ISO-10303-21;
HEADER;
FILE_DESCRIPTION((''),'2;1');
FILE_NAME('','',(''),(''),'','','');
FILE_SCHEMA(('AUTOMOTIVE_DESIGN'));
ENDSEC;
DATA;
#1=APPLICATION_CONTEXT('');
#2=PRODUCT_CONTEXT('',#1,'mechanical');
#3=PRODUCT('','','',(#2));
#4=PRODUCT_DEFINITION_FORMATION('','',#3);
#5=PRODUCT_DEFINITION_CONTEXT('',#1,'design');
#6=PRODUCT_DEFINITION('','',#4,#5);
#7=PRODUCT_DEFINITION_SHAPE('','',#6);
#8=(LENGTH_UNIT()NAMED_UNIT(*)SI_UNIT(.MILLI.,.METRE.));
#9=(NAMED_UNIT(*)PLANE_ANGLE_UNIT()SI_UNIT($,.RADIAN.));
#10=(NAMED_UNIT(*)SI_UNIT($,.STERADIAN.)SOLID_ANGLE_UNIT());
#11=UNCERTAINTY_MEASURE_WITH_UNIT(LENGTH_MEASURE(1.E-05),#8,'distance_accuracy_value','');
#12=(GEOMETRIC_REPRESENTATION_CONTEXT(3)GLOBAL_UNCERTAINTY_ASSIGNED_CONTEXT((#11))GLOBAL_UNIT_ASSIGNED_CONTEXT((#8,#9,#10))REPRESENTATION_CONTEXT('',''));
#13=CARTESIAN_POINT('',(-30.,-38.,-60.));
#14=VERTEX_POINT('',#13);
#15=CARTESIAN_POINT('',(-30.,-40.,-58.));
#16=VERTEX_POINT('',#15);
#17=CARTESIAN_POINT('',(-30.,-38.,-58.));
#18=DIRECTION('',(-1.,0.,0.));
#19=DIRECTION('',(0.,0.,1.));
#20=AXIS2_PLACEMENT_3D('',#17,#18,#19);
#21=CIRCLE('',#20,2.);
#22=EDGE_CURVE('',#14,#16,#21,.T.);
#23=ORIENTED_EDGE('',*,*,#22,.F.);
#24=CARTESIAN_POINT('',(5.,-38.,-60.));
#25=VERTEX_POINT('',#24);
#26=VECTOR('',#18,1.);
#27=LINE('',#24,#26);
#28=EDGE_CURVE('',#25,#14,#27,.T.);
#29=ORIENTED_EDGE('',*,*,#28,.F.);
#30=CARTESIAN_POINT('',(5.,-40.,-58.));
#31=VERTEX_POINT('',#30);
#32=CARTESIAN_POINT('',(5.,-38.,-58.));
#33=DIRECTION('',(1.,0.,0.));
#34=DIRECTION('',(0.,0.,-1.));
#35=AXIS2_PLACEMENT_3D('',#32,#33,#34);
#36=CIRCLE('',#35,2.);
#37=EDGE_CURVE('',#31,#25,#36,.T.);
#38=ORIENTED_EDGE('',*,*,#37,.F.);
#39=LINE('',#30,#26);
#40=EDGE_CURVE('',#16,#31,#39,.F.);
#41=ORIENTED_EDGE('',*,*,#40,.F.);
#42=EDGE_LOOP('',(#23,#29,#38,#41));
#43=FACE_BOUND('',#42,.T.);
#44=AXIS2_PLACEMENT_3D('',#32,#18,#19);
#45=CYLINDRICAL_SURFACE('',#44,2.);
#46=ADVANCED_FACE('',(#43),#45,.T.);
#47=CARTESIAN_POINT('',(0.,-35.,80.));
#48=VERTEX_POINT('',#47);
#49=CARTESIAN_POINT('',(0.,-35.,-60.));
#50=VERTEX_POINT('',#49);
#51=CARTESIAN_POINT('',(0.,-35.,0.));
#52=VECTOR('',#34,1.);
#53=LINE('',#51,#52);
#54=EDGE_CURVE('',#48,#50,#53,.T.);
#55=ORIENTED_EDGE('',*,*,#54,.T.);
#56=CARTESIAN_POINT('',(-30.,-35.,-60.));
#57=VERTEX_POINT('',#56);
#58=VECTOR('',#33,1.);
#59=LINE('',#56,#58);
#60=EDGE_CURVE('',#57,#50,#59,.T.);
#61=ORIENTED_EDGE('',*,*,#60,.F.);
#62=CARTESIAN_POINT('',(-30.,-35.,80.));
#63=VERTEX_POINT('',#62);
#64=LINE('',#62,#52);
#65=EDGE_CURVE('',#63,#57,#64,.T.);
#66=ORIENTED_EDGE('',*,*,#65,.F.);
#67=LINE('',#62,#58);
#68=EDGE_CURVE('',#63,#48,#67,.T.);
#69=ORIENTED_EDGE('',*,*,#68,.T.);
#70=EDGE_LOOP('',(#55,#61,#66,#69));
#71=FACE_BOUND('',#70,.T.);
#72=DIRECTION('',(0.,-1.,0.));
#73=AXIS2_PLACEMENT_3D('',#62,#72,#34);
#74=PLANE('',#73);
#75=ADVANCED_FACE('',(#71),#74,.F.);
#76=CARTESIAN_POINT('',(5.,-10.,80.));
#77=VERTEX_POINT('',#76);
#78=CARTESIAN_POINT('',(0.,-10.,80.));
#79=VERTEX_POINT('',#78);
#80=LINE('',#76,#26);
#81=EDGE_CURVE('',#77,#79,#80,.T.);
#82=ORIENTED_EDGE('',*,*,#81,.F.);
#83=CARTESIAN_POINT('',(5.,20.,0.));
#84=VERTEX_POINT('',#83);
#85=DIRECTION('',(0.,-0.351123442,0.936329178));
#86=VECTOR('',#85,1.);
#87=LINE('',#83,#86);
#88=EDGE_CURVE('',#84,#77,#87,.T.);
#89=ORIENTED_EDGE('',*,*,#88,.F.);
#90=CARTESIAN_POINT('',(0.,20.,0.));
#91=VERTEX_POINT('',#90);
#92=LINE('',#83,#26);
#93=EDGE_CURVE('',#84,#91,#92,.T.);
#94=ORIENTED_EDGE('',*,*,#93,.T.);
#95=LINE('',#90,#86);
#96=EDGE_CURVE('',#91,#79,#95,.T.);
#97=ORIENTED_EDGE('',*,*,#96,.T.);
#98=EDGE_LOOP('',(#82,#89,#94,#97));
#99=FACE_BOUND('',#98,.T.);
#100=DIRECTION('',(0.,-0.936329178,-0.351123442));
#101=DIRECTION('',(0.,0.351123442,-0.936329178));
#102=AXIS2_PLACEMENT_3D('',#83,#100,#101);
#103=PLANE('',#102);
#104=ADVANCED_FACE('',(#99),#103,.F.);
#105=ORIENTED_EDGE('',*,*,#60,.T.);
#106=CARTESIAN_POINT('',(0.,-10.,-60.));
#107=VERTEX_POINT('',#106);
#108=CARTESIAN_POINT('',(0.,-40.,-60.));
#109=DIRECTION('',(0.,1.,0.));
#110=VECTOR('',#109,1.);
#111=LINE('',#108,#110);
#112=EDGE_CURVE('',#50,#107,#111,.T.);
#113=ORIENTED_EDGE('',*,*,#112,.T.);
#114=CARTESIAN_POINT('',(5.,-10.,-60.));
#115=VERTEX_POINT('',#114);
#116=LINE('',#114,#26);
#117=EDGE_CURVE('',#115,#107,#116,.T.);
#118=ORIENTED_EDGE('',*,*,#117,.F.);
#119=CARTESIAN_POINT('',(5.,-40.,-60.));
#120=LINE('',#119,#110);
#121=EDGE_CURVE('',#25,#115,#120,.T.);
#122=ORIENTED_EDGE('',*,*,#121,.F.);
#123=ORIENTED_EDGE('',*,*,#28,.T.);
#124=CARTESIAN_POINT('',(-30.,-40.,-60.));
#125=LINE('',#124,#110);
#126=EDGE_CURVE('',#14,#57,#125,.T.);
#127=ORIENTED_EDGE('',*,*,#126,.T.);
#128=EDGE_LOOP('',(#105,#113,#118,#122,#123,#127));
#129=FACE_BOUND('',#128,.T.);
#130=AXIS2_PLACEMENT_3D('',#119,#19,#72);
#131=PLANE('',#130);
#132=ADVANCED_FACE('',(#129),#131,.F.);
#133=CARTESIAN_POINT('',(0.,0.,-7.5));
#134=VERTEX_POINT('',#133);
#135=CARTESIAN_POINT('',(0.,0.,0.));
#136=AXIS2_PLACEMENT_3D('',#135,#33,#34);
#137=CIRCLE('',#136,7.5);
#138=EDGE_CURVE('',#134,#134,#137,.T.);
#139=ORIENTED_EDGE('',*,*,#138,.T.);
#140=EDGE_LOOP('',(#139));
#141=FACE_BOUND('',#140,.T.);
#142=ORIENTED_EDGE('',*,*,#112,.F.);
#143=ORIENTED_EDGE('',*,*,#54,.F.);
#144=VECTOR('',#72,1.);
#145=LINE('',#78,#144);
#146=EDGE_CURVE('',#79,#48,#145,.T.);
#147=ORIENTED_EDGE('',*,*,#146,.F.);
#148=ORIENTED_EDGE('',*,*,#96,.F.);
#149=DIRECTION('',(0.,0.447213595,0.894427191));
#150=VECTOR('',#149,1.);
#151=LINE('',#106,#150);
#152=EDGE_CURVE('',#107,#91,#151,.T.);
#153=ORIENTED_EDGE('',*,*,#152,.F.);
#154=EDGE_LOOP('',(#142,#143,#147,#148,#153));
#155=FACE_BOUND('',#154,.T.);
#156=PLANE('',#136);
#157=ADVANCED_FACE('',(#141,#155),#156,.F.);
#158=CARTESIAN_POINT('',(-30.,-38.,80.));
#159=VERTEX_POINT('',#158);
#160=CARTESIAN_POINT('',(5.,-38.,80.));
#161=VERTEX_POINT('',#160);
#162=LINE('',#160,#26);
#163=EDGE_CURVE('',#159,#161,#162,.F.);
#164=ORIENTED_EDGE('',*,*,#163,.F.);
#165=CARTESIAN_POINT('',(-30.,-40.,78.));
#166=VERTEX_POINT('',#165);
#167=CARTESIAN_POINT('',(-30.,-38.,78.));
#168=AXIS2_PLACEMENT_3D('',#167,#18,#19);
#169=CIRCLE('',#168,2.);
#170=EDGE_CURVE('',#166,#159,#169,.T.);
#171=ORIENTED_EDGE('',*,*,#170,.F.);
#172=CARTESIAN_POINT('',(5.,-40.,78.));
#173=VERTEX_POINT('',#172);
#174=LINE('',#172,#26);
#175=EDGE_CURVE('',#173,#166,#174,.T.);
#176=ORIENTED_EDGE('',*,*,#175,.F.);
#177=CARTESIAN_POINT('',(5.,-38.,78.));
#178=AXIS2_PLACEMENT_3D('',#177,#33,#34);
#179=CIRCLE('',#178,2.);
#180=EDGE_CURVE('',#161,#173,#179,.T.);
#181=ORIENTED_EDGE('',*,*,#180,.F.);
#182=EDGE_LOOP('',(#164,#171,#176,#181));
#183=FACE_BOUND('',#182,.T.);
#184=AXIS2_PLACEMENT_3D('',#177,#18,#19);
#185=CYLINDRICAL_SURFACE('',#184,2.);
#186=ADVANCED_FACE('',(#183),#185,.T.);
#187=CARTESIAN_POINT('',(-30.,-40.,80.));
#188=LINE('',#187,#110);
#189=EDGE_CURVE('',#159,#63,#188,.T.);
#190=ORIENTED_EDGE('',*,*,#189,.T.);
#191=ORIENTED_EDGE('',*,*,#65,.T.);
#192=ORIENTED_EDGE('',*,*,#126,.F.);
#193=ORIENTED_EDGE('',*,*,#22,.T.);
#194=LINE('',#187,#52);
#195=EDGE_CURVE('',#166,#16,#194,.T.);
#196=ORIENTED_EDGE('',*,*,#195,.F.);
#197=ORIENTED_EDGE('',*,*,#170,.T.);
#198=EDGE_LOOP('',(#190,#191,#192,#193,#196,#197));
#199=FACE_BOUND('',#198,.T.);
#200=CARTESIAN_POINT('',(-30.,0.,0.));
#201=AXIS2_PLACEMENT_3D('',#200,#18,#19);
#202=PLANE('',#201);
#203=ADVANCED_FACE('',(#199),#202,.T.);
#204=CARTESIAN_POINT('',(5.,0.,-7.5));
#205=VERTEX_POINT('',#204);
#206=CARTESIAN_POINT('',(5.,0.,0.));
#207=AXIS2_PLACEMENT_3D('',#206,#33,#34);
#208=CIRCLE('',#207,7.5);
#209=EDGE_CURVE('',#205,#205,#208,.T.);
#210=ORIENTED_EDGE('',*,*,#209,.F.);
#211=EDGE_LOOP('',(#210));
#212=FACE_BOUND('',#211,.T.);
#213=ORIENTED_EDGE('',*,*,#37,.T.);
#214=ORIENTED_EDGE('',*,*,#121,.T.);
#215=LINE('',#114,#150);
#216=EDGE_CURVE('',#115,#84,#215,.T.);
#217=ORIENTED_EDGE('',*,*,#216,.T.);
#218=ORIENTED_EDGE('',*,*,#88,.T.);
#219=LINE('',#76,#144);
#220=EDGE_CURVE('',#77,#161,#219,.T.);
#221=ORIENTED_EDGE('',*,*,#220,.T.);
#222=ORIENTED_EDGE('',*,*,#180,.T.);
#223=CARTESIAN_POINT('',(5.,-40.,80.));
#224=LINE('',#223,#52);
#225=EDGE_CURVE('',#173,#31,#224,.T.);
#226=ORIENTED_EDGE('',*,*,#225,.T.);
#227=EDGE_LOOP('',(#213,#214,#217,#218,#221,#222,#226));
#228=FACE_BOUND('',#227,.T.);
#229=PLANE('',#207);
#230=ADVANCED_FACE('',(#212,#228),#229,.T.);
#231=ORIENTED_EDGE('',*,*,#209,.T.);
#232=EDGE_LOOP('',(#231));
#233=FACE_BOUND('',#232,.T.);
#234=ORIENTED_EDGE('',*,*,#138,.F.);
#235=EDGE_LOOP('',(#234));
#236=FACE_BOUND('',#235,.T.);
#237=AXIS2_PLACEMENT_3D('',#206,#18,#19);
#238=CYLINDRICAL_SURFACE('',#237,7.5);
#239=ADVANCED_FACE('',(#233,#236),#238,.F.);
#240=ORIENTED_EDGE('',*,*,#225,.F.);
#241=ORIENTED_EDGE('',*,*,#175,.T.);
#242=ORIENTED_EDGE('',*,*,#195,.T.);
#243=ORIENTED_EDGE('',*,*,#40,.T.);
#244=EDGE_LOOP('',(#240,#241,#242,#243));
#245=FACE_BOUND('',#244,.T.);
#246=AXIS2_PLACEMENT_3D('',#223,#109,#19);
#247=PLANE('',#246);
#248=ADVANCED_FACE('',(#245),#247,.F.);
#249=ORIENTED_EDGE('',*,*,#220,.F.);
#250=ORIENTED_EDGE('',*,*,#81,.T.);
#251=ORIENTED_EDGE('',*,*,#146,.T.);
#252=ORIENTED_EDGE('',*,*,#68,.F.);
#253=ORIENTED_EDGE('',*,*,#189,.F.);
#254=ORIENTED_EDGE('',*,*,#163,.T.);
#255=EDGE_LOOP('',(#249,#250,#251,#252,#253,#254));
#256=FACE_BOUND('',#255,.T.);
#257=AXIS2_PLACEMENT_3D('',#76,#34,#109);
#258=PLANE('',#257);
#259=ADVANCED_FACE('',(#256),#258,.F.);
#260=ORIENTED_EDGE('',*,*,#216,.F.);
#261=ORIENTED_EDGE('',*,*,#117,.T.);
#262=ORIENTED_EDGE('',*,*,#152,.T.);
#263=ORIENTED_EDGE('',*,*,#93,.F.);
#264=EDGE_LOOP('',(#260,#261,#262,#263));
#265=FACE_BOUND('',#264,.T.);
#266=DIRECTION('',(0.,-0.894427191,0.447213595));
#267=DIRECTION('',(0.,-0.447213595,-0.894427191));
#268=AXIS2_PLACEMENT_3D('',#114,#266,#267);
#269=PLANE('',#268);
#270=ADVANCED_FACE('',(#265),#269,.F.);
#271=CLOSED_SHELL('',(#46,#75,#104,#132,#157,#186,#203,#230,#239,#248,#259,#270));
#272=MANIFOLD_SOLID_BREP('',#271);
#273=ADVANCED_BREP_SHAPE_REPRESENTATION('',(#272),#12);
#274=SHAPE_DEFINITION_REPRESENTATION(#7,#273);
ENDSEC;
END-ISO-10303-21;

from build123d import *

# Parameters (mm, degrees)
SKETCH1_R           = 7.5
BOSS_EXTRUDE1_DEPTH = 5
SKETCH3_2_W         = 140
SKETCH3_2_H         = 5
BOSS_EXTRUDE3_DEPTH = 35
FILLET1_R           = 2


with BuildPart() as part:
    # Sketch1 → Boss-Extrude1 (new body)
    with BuildSketch(Plane(origin=(0, 0, 0), x_dir=(0, 0, -1), z_dir=(1, 0, 0))):
        Polygon((0, 20), (-80, -10), (-80, -40), (60, -40), (60, -10), align=None)
        Circle(SKETCH1_R, mode=Mode.SUBTRACT)
    extrude(amount=BOSS_EXTRUDE1_DEPTH)

    # Sketch3<2> → Boss-Extrude3 (add)
    with BuildSketch(Plane(origin=(5, 0, 0), x_dir=(0, 0, -1), z_dir=(1, 0, 0))):
        with Locations((-10, -37.5)):
            Rectangle(SKETCH3_2_W, SKETCH3_2_H)
    extrude(amount=-BOSS_EXTRUDE3_DEPTH)

    # Fillet1
    fillet1_edges = [part.edges().sort_by_distance(p)[0] for p in [
        (-12.5, -40, -60),
        (-12.5, -40, 80),
    ]]
    fillet(fillet1_edges, radius=FILLET1_R)


solid = part.part
